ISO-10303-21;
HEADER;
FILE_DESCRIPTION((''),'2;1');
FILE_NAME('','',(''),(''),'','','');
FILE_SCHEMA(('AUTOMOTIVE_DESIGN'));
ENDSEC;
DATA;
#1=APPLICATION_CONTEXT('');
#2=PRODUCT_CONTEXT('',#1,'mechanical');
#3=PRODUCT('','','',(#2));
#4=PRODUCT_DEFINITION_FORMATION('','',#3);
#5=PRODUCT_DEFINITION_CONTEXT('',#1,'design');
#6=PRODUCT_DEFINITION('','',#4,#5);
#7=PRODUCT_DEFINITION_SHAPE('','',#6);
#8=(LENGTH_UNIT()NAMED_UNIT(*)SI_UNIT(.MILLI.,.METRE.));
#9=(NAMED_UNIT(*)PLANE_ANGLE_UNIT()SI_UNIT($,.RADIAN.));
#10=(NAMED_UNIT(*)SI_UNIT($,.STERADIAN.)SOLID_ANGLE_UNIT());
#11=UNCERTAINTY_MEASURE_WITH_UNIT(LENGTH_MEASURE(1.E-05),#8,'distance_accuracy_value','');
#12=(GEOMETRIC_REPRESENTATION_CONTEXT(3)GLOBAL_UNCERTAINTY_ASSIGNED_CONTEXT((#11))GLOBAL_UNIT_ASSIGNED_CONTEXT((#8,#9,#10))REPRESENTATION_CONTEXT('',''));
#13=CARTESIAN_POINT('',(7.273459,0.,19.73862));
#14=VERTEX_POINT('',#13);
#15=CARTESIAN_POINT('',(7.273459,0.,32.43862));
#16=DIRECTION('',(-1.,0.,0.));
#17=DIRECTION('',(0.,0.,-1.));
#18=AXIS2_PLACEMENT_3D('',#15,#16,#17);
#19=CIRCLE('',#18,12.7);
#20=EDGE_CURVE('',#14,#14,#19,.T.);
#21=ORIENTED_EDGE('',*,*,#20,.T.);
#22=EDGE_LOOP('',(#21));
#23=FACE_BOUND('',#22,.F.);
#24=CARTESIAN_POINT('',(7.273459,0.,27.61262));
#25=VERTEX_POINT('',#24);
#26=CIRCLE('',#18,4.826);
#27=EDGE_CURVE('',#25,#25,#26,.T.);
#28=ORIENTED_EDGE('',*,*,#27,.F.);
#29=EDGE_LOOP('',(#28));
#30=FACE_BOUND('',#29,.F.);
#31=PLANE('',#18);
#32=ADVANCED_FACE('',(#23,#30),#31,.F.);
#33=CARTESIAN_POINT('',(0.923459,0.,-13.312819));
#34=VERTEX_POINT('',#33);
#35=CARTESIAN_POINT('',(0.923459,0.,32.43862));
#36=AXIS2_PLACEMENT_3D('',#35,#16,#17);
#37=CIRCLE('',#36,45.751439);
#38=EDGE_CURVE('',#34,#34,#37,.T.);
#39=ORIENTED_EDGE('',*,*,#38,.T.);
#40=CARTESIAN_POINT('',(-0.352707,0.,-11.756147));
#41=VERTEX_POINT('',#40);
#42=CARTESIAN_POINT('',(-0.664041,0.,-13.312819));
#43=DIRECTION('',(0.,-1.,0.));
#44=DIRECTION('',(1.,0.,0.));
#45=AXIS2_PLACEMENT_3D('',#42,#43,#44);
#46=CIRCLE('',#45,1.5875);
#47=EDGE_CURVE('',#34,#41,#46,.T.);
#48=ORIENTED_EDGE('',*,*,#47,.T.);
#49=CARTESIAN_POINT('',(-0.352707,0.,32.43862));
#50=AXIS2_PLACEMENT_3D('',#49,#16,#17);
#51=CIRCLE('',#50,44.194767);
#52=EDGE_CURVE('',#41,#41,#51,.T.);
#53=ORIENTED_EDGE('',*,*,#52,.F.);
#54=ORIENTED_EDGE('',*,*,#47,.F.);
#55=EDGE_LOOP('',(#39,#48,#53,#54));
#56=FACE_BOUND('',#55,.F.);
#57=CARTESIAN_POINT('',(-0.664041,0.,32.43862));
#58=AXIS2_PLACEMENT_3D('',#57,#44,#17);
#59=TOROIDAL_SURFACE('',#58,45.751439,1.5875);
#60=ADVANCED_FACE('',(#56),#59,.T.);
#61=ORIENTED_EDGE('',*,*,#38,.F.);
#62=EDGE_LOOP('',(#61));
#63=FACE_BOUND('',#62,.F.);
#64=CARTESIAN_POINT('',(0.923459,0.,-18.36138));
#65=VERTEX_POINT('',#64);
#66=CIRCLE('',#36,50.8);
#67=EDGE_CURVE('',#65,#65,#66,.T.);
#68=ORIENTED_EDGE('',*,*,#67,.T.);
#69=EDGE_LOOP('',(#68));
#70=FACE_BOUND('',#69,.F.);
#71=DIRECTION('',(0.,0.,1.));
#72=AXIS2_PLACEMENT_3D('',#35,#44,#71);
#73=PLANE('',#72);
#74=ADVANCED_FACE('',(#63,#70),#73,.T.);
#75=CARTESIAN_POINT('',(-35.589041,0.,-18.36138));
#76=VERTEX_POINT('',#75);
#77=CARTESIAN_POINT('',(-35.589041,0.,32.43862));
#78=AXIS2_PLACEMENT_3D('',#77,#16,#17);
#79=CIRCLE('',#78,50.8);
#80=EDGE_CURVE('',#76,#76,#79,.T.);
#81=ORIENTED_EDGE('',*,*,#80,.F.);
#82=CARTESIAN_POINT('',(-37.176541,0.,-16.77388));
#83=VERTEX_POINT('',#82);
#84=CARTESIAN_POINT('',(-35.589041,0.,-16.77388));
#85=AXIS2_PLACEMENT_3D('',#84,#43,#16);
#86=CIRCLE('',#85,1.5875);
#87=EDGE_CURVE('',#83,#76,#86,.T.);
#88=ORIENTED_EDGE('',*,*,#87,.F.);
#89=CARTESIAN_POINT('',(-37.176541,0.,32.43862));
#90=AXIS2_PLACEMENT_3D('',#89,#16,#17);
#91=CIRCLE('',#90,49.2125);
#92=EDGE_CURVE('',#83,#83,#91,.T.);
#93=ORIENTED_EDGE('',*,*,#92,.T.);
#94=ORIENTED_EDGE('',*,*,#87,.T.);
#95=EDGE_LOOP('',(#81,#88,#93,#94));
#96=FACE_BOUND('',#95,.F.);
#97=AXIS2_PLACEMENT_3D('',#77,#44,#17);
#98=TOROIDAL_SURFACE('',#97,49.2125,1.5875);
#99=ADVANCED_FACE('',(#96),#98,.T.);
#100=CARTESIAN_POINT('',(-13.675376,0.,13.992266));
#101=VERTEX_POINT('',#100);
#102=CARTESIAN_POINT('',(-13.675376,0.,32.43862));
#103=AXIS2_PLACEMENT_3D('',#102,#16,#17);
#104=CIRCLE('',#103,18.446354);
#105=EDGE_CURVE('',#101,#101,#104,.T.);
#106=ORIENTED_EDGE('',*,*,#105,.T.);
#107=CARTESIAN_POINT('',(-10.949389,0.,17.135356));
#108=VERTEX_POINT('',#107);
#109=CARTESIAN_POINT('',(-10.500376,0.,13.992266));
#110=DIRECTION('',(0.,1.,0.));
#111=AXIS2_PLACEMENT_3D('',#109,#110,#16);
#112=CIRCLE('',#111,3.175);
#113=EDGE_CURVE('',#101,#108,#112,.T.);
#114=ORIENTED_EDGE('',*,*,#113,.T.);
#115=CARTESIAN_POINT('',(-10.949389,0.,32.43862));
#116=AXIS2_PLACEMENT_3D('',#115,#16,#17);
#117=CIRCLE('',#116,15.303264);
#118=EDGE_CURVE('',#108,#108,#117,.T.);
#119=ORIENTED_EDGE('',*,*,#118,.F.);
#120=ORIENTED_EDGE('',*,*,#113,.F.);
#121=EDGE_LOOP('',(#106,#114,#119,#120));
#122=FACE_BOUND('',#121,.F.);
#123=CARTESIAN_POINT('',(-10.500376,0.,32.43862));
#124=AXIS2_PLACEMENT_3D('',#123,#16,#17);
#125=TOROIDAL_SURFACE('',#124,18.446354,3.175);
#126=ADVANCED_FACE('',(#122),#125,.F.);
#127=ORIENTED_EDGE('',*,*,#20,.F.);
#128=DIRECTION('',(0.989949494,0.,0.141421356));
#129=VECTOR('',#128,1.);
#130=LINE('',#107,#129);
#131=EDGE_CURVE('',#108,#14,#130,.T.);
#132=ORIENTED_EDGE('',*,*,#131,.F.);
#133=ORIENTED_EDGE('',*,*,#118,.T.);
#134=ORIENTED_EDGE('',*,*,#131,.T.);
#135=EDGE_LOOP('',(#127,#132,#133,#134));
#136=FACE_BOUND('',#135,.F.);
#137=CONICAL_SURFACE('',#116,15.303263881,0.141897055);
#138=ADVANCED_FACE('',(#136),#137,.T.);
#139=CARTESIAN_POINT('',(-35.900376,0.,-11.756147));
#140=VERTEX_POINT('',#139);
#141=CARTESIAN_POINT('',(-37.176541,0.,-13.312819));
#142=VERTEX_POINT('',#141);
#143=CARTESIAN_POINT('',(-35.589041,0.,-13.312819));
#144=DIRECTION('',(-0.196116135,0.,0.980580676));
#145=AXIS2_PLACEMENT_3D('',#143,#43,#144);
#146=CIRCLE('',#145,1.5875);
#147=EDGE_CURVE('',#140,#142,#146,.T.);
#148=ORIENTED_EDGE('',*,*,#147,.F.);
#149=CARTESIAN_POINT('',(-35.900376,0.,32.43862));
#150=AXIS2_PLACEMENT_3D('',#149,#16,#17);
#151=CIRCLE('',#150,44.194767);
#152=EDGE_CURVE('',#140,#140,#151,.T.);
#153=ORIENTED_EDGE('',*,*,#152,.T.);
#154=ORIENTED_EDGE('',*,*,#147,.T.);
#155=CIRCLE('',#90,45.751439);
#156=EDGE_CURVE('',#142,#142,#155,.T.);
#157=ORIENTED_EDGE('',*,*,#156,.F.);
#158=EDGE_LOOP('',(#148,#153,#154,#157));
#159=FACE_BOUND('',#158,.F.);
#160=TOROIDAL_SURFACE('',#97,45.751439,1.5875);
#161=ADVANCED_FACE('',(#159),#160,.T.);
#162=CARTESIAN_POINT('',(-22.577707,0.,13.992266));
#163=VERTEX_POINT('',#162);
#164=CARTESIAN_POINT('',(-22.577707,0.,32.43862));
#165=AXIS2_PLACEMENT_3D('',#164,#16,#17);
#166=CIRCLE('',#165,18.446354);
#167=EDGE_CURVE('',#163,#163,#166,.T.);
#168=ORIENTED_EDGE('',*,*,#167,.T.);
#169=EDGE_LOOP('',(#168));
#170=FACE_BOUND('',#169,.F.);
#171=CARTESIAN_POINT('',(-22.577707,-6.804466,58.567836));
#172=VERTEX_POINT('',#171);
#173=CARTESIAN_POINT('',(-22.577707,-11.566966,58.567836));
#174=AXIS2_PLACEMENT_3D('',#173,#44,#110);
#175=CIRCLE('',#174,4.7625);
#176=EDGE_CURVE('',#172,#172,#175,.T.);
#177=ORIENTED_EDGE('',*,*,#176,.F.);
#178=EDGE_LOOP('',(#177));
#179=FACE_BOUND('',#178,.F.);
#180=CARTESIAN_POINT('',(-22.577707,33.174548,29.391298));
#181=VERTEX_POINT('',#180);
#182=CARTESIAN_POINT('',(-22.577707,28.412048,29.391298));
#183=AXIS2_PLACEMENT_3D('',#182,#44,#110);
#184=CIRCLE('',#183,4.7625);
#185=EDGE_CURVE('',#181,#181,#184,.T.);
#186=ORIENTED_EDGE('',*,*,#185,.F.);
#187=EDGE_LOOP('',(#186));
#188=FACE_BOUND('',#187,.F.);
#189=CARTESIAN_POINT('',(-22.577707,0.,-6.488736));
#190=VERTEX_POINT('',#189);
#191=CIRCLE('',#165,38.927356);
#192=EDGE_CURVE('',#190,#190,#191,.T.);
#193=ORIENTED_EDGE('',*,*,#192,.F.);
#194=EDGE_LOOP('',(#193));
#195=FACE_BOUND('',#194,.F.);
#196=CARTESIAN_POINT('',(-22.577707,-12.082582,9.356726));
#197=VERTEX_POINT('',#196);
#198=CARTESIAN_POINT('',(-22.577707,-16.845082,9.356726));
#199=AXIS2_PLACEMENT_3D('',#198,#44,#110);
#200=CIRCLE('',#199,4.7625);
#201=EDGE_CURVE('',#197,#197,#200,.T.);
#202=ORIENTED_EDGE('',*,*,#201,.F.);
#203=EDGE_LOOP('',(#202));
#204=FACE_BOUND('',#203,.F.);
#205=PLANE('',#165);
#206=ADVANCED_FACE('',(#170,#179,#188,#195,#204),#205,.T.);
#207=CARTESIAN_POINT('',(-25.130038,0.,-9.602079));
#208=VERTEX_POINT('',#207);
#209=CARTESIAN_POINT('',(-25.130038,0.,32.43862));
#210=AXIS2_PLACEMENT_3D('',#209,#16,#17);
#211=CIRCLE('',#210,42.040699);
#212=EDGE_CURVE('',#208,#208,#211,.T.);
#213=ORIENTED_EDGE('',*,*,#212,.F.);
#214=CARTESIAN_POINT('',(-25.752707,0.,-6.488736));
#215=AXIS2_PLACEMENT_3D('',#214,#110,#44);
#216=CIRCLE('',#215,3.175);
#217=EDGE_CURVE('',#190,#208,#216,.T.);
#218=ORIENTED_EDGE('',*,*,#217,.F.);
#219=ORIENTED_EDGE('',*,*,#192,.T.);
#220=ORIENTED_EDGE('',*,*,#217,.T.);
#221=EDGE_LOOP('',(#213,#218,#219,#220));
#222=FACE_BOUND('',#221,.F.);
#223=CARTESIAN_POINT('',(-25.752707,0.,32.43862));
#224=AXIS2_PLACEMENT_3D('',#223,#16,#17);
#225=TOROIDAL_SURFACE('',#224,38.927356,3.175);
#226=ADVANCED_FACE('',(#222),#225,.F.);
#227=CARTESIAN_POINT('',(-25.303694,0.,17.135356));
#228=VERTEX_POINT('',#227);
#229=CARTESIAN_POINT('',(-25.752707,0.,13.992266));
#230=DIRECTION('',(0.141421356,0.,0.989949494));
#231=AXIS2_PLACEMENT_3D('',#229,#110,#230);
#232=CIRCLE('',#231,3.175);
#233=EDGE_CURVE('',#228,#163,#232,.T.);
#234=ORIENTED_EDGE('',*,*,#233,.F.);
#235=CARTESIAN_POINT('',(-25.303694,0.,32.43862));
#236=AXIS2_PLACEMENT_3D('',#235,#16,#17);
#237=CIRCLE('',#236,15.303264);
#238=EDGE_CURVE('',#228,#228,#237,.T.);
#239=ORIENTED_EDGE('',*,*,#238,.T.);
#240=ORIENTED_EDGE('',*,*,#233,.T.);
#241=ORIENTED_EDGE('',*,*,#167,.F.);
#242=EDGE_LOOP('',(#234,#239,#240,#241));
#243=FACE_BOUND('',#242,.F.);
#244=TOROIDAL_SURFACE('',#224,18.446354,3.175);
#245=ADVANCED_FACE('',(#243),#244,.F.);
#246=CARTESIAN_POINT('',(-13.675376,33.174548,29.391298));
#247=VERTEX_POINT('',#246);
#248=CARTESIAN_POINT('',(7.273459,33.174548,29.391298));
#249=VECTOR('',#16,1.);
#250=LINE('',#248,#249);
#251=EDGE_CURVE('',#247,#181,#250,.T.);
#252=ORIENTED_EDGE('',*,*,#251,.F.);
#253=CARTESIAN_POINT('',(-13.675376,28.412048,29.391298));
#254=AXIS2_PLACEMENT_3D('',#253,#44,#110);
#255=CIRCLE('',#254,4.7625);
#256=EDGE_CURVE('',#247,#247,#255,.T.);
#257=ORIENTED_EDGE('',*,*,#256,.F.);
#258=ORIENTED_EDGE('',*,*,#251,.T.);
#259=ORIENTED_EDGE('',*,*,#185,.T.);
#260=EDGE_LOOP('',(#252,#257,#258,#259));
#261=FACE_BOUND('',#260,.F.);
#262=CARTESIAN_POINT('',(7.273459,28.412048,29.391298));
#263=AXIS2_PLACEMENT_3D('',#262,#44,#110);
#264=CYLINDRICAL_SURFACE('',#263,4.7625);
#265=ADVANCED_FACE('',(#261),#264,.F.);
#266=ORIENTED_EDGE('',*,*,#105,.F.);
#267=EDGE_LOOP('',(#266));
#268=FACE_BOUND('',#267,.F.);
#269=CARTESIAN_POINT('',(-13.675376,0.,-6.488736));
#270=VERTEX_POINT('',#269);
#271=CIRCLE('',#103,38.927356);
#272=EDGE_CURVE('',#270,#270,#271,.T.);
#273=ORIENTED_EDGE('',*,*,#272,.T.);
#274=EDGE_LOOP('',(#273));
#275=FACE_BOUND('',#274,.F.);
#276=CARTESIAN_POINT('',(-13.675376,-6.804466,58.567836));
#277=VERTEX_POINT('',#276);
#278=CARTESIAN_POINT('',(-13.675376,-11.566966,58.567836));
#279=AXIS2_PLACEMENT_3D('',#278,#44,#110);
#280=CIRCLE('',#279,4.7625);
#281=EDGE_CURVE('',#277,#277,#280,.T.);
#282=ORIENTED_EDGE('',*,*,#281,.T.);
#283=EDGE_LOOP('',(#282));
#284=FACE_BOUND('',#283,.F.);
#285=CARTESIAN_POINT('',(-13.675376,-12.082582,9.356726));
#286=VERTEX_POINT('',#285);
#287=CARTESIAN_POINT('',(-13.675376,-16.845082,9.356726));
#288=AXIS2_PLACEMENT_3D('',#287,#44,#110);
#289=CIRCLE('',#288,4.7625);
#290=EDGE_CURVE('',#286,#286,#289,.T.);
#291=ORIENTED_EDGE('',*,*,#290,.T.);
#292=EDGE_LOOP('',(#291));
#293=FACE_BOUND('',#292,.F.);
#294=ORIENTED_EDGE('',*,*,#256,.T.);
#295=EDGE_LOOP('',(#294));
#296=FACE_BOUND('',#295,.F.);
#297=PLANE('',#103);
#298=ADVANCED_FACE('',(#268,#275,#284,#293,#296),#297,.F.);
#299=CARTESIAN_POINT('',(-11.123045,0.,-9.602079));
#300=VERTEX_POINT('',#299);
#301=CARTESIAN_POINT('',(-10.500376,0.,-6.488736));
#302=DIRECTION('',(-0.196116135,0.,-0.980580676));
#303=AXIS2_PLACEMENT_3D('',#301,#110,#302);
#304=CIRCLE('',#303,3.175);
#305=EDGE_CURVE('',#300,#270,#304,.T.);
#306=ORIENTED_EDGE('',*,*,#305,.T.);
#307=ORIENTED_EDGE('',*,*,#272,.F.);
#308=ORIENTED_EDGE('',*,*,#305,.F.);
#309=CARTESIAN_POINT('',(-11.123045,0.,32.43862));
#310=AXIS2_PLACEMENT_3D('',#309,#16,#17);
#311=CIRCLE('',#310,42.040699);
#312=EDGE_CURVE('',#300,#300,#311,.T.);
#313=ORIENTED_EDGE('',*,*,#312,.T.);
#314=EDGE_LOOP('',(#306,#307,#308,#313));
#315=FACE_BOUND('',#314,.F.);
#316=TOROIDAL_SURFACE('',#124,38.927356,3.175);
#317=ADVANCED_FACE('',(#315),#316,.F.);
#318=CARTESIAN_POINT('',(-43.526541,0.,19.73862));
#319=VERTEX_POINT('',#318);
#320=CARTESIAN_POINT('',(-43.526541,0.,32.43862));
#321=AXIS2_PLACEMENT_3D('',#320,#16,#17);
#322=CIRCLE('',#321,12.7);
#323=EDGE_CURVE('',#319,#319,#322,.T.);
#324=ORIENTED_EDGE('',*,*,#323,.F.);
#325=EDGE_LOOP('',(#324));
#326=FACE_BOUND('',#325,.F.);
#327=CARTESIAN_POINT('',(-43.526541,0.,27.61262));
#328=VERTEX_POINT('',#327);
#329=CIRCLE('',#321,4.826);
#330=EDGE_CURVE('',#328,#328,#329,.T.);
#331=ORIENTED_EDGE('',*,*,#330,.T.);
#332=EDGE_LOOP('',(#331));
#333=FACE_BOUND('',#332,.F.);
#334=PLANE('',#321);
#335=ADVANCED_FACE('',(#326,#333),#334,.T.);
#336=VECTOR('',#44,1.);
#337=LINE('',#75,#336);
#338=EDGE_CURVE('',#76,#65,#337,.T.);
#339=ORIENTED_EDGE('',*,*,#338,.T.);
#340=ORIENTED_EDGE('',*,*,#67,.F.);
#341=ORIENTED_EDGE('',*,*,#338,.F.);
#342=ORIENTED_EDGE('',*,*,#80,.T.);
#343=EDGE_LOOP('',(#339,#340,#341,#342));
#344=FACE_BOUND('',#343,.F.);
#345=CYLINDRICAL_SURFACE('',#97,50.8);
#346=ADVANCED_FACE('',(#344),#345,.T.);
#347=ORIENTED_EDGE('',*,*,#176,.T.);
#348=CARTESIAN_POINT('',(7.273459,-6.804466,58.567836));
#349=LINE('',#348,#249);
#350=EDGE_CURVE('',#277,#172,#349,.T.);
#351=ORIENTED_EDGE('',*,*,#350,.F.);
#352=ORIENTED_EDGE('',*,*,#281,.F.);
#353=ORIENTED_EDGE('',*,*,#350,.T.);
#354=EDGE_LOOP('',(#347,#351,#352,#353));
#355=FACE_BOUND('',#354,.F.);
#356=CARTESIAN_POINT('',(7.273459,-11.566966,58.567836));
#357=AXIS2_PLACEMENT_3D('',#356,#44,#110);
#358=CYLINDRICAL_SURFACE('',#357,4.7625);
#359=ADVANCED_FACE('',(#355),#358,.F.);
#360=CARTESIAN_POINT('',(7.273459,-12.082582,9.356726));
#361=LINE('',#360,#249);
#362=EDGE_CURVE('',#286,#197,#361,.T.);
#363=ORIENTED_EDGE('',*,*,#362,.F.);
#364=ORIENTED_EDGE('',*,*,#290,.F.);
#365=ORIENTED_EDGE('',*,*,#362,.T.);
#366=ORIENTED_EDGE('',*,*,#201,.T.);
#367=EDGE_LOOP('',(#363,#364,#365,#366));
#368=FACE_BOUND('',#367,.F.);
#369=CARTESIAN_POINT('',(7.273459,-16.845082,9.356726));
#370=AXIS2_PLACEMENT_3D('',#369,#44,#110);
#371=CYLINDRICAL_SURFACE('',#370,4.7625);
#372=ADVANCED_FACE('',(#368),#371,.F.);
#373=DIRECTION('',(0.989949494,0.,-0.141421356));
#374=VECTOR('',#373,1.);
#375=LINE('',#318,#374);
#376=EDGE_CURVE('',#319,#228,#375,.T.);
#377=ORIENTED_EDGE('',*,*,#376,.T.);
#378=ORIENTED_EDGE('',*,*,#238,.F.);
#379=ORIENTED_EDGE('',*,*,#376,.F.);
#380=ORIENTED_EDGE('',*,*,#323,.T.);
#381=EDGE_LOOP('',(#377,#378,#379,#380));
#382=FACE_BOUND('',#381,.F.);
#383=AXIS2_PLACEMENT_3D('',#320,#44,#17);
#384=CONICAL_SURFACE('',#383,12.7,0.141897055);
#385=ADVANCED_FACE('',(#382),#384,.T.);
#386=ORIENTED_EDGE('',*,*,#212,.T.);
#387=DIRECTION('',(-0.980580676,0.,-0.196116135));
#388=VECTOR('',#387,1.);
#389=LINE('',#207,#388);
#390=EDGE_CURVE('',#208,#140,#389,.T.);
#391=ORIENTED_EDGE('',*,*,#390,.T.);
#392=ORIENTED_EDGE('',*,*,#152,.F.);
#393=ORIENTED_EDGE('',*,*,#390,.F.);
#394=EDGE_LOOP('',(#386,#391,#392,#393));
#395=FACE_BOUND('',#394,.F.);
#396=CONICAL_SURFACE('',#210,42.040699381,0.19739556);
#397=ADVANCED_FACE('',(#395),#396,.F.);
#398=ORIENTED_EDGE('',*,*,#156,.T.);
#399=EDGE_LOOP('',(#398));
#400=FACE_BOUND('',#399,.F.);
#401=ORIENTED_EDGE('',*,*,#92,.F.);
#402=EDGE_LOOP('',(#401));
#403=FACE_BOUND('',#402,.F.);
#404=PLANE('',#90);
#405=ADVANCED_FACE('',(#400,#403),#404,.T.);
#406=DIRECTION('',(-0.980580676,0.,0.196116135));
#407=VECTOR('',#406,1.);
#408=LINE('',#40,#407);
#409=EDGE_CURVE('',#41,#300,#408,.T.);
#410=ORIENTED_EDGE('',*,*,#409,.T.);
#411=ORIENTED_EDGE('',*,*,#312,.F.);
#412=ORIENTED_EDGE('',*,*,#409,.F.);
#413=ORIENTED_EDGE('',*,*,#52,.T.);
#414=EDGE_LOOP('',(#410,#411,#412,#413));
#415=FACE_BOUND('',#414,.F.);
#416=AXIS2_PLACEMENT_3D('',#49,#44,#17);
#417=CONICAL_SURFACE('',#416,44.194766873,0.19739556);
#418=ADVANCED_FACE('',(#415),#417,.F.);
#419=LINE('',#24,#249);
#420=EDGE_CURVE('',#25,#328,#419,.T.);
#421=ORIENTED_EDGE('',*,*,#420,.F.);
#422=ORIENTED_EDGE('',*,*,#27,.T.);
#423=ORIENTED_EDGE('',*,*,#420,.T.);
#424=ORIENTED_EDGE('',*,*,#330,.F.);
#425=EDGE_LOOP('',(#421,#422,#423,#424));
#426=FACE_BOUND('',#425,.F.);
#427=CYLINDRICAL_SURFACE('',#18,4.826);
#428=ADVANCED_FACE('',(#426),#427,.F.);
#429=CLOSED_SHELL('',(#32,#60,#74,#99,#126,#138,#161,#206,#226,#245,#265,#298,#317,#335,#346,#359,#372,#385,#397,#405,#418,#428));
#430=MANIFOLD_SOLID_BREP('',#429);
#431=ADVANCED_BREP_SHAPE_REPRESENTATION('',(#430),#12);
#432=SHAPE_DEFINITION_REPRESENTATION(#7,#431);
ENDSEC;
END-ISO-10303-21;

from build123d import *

# Parameters (mm, degrees)
F2_R     = 4.7625
F3_DEPTH = 127
F4_DEPTH = 127


with BuildPart() as f1:
    # F0 (on Front) → F1 (revolve)
    with BuildSketch(Plane.XZ):
        with BuildLine():
            Line((-18.1265414417, 27.6126198854), (-43.5265414417, 27.6126198854))
            Line((-43.5265414417, 27.6126198854), (-43.5265414417, 19.7386198854))
            Line((-43.5265414417, 19.7386198854), (-25.3036942711, 17.1353560039))
            ThreePointArc((-25.3036942711, 17.1353560039), (-23.35414077, 16.0725318904), (-22.5777070771, 13.9922663615))
            Line((-22.5777070771, 13.9922663615), (-22.5777070771, -6.4887358505))
            ThreePointArc((-22.5777070771, -6.4887358505), (-23.2973457784, -8.5016506258), (-25.1300383481, -9.6020794959))
            Line((-25.1300383481, -9.6020794959), (-35.9003758062, -11.7561469875))
            ThreePointArc((-35.9003758062, -11.7561469875), (-36.8167220911, -12.3063614225), (-37.1765414417, -13.3128188101))
            Line((-37.1765414417, -13.3128188101), (-37.1765414417, -16.7738801146))
            ThreePointArc((-37.1765414417, -16.7738801146), (-36.7115734568, -17.8964121297), (-35.5890414417, -18.3613801146))
            Line((-35.5890414417, -18.3613801146), (-18.1265414417, -18.3613801146))
            Line((-18.1265414417, -18.3613801146), (-18.1265414417, 27.6126198854))
        make_face()
        with BuildLine():
            Line((7.2734585583, 27.6126198854), (-18.1265414417, 27.6126198854))
            Line((-18.1265414417, 27.6126198854), (-18.1265414417, -18.3613801146))
            Line((-18.1265414417, -18.3613801146), (-0.6640414417, -18.3613801146))
            ThreePointArc((-0.6640414417, -18.3613801146), (0.4584905735, -17.8964121297), (0.9234585583, -16.7738801146))
            Line((0.9234585583, -16.7738801146), (0.9234585583, -13.3128188101))
            ThreePointArc((0.9234585583, -13.3128188101), (0.5636392077, -12.3063614225), (-0.3527070771, -11.7561469875))
            Line((-0.3527070771, -11.7561469875), (-11.1230445353, -9.6020794959))
            ThreePointArc((-11.1230445353, -9.6020794959), (-12.955737105, -8.5016506258), (-13.6753758062, -6.4887358505))
            Line((-13.6753758062, -6.4887358505), (-13.6753758062, 13.9922663615))
            ThreePointArc((-13.6753758062, 13.9922663615), (-12.8989421133, 16.0725318904), (-10.9493886123, 17.1353560039))
            Line((-10.9493886123, 17.1353560039), (7.2734585583, 19.7386198854))
            Line((7.2734585583, 19.7386198854), (7.2734585583, 27.6126198854))
        make_face()
        with BuildLine():
            ThreePointArc((0.9234585583, -16.7738801146), (0.4584905735, -17.8964121297), (-0.6640414417, -18.3613801146))
            Line((-0.6640414417, -18.3613801146), (0.9234585583, -18.3613801146))
            Line((0.9234585583, -18.3613801146), (0.9234585583, -16.7738801146))
        make_face()
    revolve(axis=Axis((-18.0359715596, 0, 32.4386198854), (-1, 0, 0)))

    # F2 (on face) → F3 (cut)
    with BuildSketch(Plane.YZ.offset(7.2734585583)):
        with Locations((-11.5669657036, 58.5678358976)):
            Circle(F2_R)
    extrude(amount=-F3_DEPTH, mode=Mode.SUBTRACT)

    # F2 (on face) → F4 (cut)
    with BuildSketch(Plane.YZ.offset(7.2734585583)):
        with Locations((28.4120476993, 29.3912980234)):
            Circle(F2_R)
        with Locations((-16.8450819957, 9.3567257353)):
            Circle(F2_R)
    extrude(amount=-F4_DEPTH, mode=Mode.SUBTRACT)


solid = f1.part
